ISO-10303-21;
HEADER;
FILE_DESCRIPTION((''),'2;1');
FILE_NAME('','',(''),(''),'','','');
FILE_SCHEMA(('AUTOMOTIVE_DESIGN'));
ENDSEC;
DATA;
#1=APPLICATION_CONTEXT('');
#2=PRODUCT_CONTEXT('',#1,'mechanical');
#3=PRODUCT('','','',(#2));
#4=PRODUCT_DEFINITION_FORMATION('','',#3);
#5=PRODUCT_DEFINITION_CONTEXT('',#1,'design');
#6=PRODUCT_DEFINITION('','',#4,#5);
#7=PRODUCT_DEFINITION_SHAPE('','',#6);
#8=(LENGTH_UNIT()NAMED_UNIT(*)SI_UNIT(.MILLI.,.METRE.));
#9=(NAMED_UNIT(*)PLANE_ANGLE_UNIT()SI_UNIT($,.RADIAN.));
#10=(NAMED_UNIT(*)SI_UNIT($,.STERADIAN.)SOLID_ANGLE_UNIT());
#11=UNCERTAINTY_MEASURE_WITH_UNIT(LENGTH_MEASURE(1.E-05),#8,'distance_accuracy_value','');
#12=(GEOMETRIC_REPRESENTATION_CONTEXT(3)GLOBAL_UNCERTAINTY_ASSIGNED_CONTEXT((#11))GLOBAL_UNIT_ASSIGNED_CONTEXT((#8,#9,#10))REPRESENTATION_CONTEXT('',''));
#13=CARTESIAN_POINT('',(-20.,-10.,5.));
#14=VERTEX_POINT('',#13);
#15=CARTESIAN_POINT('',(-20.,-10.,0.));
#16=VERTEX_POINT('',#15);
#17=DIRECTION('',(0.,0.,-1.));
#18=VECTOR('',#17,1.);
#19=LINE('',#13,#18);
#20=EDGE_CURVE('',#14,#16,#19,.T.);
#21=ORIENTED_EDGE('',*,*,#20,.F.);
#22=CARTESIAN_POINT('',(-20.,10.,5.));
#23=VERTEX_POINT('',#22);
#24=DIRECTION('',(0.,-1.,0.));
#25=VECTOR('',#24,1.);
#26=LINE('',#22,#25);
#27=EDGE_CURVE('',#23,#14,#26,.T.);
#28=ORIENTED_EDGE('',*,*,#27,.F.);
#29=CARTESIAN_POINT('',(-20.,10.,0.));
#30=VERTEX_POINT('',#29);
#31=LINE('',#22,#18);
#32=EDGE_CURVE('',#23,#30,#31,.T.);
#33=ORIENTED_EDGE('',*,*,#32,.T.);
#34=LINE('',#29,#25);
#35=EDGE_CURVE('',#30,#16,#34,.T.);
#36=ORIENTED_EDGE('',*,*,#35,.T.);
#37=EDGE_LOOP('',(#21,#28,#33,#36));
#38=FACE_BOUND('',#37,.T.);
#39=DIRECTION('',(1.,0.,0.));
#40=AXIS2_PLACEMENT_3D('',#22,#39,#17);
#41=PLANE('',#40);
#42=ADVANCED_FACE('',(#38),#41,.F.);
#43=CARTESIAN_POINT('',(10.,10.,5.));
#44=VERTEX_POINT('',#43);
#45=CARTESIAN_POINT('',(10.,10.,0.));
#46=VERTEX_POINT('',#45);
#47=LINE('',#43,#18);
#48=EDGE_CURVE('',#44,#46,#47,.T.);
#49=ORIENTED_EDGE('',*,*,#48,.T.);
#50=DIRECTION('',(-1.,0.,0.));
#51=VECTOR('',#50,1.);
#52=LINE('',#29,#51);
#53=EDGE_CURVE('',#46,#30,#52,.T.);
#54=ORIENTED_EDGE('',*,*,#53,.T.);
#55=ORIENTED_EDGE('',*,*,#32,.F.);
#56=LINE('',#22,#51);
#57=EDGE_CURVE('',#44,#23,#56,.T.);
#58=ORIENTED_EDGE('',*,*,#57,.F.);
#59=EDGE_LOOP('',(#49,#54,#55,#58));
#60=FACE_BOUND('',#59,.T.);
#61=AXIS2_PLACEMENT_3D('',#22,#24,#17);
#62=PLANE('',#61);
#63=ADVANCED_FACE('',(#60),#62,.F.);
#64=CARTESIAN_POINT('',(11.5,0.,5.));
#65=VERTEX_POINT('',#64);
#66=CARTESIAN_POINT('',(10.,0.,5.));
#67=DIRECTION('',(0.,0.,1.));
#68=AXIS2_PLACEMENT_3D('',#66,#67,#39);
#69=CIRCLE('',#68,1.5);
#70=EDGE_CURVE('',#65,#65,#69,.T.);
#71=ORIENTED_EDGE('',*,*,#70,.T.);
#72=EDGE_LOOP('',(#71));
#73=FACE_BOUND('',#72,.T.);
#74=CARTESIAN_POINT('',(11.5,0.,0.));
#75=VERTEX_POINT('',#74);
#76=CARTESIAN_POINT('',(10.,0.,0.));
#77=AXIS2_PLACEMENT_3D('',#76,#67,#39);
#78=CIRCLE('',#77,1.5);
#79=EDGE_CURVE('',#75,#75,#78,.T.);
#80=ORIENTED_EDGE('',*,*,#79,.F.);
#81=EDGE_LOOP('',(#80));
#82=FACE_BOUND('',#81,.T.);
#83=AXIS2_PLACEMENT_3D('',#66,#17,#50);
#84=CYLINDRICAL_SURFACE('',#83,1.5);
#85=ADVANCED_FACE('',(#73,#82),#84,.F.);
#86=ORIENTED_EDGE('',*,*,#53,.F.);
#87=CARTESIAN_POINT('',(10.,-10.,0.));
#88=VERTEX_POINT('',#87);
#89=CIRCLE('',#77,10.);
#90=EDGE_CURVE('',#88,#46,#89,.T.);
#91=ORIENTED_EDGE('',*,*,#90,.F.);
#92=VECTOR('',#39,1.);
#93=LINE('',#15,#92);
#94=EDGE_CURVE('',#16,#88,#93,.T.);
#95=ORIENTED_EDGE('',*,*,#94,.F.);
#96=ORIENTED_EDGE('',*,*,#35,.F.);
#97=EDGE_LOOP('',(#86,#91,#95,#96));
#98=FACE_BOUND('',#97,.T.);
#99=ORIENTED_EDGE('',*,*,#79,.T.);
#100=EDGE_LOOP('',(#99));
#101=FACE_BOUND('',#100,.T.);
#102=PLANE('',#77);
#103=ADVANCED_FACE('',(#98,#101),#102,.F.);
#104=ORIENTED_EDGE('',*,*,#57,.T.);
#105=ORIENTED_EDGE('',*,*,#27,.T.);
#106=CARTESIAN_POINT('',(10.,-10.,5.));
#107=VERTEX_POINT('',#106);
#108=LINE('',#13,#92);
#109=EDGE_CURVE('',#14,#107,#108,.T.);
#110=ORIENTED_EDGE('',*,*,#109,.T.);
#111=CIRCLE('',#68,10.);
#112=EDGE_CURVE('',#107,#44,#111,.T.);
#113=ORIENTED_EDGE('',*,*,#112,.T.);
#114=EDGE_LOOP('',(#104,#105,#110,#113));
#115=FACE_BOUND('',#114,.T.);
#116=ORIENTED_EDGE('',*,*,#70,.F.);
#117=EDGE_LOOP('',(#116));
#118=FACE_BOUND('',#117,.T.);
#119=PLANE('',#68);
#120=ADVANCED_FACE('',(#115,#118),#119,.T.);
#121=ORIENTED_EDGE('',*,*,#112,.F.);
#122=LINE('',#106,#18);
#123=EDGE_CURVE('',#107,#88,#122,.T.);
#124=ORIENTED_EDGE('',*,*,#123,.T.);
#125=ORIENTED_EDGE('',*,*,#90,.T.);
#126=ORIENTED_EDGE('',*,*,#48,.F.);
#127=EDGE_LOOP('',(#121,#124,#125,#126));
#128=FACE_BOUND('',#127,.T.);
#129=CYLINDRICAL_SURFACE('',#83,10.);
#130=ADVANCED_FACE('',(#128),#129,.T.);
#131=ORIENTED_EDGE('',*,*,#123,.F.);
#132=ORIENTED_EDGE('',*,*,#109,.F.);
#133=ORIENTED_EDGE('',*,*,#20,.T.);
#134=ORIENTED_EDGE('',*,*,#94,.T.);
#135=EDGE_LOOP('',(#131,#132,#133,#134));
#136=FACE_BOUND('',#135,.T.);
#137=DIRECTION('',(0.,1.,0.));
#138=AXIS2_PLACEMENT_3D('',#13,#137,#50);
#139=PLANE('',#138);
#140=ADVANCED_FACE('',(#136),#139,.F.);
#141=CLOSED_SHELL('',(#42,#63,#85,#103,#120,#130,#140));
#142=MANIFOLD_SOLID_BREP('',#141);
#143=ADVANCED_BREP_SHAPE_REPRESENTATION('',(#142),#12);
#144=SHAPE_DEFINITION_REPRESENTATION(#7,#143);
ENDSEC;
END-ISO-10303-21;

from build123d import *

# Parameters (mm, degrees)
SKETCH1_R           = 1.5
BOSS_EXTRUDE1_DEPTH = 5


with BuildPart() as part:
    # Sketch1 → Boss-Extrude1 (new body)
    with BuildSketch(Plane.XY):
        with BuildLine():
            Line((-20, 10), (10, 10))
            ThreePointArc((10, 10), (20, 0), (10, -10))
            Line((10, -10), (-20, -10))
            Line((-20, -10), (-20, 10))
        make_face()
        with Locations((10, 0)):
            Circle(SKETCH1_R, mode=Mode.SUBTRACT)
    extrude(amount=BOSS_EXTRUDE1_DEPTH)


solid = part.part
